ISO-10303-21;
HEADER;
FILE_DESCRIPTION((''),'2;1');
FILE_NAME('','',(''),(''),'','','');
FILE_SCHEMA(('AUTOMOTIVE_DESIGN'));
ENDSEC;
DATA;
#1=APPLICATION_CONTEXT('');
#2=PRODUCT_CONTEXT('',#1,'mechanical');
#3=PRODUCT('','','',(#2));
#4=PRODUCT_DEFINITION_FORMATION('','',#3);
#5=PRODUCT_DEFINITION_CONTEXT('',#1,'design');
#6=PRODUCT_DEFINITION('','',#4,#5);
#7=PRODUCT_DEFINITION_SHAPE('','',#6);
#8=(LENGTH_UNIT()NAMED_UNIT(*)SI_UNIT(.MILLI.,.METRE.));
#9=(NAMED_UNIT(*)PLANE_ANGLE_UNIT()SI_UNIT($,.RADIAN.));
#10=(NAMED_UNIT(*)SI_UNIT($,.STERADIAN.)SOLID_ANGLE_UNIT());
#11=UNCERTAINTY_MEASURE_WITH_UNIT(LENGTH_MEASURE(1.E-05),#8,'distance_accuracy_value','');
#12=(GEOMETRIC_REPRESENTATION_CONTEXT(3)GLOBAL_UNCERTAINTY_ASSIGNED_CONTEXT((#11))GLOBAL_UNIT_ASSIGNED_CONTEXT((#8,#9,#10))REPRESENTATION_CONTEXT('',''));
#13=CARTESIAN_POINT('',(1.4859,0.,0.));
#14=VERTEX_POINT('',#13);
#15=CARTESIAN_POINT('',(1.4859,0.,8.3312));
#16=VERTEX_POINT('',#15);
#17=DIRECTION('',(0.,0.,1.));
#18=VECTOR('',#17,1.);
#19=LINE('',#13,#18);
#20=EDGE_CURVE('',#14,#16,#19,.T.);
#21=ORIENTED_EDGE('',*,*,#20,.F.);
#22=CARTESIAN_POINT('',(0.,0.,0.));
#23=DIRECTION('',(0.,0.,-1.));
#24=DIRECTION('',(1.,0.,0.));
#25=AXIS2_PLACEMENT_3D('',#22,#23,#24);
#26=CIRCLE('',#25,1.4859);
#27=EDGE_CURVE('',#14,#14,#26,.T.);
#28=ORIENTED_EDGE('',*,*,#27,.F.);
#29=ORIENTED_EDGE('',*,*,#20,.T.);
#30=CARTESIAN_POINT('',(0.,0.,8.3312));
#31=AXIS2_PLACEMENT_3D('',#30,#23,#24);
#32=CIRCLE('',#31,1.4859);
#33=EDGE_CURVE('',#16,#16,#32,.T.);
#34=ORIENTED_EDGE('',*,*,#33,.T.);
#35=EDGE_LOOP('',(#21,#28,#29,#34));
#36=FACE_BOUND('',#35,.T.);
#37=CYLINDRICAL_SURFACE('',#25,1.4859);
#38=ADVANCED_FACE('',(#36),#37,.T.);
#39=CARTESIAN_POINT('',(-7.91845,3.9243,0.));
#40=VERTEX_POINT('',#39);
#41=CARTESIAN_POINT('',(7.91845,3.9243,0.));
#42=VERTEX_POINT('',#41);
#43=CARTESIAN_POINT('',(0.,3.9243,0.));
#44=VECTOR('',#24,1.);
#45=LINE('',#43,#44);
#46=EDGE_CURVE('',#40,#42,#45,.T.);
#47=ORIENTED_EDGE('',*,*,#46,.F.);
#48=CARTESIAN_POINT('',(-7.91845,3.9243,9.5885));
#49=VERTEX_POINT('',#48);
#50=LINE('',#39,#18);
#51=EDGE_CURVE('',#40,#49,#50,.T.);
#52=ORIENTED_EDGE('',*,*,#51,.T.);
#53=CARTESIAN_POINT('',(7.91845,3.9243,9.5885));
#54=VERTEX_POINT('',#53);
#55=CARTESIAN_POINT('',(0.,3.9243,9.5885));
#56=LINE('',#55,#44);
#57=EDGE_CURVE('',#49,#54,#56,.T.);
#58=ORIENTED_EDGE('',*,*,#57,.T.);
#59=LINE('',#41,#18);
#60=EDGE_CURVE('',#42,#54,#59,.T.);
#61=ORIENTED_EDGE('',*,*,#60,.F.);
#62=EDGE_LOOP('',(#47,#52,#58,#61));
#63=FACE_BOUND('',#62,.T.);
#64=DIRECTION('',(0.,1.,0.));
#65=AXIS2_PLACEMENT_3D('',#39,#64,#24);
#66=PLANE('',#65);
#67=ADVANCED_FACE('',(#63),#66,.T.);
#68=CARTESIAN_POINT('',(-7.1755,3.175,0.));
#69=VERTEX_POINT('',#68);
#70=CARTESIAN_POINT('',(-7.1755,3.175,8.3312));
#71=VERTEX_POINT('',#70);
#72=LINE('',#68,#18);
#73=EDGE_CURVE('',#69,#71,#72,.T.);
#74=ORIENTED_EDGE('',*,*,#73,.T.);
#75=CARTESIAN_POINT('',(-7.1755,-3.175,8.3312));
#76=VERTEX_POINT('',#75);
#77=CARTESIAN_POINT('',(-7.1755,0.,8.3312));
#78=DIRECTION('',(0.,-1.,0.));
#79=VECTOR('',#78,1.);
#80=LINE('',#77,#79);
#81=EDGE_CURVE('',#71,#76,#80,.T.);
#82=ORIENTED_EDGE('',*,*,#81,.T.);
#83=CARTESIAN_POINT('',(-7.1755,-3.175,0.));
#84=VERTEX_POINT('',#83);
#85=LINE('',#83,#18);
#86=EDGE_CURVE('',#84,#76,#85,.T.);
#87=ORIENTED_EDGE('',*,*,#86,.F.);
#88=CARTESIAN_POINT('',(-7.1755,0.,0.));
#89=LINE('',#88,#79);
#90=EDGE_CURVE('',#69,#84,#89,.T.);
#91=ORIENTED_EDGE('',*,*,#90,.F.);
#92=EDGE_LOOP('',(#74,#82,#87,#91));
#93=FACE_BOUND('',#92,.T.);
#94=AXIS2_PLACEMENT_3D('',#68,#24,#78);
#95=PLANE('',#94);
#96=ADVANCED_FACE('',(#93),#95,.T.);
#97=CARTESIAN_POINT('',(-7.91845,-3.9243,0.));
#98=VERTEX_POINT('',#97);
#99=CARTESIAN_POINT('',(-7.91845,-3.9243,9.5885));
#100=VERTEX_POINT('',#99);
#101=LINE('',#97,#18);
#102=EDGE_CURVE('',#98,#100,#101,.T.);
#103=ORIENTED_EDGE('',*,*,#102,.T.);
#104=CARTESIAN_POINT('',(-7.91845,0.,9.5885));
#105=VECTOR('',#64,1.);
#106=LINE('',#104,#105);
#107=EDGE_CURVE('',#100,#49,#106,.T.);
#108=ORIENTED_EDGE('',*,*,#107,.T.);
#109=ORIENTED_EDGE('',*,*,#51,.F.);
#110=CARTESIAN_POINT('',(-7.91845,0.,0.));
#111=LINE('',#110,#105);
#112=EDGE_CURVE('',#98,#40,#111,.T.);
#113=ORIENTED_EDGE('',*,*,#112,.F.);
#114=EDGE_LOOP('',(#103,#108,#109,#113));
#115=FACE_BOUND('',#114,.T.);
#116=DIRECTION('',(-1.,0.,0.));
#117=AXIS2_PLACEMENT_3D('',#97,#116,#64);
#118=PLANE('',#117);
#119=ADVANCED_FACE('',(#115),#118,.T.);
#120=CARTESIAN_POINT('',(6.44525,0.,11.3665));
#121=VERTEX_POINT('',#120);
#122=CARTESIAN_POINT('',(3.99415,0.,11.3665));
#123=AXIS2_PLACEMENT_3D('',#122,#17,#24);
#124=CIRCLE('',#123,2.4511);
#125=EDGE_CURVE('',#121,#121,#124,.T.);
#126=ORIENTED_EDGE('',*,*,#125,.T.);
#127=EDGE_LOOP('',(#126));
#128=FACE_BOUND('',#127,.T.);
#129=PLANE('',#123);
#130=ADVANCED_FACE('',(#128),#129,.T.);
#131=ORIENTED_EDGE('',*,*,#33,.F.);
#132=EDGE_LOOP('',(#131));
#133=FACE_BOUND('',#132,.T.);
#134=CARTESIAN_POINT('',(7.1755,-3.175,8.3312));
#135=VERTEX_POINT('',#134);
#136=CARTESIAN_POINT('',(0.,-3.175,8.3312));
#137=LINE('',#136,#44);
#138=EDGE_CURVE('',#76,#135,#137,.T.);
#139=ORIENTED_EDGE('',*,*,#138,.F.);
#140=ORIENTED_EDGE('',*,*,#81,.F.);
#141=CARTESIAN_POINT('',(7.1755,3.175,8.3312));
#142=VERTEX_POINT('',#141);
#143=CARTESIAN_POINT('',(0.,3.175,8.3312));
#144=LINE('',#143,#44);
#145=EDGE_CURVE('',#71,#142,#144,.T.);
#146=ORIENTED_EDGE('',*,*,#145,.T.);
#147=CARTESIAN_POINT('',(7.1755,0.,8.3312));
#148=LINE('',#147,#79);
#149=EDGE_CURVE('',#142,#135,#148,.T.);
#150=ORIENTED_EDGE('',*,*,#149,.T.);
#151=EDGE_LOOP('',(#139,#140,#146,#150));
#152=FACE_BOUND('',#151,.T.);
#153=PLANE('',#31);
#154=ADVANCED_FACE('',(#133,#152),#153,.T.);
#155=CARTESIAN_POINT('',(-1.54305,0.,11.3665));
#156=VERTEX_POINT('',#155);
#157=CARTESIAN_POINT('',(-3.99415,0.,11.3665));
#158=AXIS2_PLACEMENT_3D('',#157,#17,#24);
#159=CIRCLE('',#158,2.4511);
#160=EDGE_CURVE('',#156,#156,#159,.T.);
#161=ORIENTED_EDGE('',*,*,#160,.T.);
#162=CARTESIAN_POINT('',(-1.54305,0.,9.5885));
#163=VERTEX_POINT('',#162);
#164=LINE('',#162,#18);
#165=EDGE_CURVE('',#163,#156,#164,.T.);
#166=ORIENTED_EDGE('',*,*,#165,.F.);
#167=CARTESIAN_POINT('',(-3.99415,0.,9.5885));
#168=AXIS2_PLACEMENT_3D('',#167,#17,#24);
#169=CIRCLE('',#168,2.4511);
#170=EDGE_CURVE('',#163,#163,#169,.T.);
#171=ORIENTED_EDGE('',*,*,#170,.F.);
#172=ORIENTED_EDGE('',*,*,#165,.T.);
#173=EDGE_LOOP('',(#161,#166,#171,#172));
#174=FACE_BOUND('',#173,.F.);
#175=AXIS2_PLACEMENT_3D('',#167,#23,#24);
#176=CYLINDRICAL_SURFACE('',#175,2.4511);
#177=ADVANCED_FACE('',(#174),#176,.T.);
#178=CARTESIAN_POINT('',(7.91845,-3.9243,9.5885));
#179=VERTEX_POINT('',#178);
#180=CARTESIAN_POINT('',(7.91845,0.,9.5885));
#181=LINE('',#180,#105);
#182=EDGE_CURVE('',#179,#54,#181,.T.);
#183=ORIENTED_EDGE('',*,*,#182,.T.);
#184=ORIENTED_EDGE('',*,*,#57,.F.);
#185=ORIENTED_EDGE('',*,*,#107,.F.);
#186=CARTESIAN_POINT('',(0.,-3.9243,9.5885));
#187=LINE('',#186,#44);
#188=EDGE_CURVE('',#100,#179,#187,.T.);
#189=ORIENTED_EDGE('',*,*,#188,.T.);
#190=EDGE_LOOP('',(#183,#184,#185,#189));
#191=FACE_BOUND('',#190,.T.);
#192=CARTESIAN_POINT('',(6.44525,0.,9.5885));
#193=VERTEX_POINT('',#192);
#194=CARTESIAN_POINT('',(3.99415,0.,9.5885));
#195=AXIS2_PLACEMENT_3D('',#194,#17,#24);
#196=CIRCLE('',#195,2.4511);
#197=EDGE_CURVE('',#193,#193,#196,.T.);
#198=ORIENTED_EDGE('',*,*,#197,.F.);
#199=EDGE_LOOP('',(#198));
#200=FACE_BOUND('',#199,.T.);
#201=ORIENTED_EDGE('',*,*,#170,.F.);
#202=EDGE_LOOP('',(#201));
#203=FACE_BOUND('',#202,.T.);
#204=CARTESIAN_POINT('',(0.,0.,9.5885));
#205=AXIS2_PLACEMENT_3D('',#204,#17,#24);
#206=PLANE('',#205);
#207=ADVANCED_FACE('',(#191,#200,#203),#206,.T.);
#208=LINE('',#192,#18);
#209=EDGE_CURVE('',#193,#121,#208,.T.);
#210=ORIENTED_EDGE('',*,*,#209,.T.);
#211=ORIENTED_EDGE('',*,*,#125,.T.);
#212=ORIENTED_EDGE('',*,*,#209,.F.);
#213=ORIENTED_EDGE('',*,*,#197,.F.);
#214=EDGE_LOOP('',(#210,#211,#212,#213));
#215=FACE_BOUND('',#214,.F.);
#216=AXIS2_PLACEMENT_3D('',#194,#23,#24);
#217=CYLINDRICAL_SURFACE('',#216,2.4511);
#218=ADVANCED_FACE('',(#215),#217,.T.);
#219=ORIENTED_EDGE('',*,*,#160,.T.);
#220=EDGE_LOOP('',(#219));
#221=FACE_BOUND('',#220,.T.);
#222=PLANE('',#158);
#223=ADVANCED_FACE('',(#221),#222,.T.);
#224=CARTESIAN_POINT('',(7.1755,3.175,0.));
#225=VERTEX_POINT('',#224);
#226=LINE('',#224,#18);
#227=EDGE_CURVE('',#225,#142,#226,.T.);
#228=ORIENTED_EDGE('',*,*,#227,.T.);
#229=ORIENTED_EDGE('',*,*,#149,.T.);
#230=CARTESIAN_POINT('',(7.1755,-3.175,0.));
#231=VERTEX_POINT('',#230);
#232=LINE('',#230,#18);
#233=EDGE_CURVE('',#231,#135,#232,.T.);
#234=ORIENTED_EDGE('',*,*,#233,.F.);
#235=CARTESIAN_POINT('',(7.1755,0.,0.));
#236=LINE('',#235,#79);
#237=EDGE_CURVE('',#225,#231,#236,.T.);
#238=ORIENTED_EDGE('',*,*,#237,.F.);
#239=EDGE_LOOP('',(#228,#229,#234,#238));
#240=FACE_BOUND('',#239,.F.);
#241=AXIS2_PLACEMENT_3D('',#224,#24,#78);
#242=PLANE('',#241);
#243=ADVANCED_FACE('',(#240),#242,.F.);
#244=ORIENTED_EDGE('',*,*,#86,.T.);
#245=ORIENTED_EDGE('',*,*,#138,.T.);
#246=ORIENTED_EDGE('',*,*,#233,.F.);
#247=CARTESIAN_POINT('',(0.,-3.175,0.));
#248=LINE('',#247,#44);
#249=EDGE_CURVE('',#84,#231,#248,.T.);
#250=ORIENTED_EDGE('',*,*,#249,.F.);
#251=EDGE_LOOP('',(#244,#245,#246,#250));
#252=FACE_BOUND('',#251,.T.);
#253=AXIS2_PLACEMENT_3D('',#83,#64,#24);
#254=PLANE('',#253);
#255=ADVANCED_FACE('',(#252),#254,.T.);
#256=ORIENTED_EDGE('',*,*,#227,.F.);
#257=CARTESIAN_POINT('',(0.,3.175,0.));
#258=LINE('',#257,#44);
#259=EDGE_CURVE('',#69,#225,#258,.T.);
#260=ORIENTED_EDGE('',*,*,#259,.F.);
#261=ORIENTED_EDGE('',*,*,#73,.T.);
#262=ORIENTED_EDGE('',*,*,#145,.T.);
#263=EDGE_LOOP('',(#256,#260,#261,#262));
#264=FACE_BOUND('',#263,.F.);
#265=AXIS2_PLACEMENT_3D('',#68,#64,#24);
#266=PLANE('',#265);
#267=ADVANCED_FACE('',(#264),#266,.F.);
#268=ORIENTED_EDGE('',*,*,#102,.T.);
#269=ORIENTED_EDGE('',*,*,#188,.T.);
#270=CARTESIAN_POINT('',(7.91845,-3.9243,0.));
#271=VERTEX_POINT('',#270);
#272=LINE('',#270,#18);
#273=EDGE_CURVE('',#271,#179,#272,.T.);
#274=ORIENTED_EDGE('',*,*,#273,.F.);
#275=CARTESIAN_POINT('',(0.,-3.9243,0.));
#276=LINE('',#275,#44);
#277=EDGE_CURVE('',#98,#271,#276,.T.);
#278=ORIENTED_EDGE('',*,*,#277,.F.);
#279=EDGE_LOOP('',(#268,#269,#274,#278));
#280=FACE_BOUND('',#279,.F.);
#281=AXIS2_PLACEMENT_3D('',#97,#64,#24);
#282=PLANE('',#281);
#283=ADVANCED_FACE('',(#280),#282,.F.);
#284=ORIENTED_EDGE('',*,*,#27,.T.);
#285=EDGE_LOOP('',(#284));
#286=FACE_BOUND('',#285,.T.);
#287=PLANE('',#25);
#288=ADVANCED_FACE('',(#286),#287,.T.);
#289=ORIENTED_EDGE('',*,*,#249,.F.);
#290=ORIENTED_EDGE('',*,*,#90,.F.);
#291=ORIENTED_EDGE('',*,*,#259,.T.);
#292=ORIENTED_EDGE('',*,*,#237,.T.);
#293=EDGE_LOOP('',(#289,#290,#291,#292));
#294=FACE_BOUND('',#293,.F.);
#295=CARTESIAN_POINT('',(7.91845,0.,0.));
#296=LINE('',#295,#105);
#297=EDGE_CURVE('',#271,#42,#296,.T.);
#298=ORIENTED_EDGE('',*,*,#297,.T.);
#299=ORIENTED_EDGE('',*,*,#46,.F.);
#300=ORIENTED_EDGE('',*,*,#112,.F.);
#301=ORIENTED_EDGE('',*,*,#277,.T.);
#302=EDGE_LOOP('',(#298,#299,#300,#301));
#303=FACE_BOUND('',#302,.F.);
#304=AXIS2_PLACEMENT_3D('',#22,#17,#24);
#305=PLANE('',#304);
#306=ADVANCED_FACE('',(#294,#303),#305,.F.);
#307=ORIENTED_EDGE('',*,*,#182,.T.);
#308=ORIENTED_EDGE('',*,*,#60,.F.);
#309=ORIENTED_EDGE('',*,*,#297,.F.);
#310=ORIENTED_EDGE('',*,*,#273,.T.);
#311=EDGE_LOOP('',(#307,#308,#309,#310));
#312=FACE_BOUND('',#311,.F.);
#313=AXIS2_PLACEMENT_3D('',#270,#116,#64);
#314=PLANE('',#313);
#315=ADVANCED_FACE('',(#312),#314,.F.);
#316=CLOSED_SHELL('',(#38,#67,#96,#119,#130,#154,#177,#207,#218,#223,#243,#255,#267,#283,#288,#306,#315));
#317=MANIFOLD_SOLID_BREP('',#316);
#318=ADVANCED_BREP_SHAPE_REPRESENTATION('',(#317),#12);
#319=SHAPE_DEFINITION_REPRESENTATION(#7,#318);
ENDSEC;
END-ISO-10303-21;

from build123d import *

# Parameters (mm, degrees)
F0_W     = 15.8369
F0_H     = 7.8486
F1_DEPTH = 9.5885
F2_R     = 2.4511
F4_DEPTH = 1.778
F3_R     = 2.4511
F5_DEPTH = 1.778
F6_W     = 14.351
F6_H     = 6.35
F8_DEPTH = 8.3312
F7_R     = 1.4859
F9_DEPTH = 8.3312


with BuildPart() as f1:
    # F0 (on Top) → F1 (new body)
    with BuildSketch(Plane.XY):
        Rectangle(F0_W, F0_H)
    extrude(amount=F1_DEPTH)

    # F2 (on face) → F4 (join)
    with BuildSketch(Plane.XY.offset(9.5885)):
        with Locations((-3.99415, 0)):
            Circle(F2_R)
    extrude(amount=F4_DEPTH)

    # F3 (on face) → F5 (join)
    with BuildSketch(Plane.XY.offset(9.5885)):
        with Locations((3.99415, 0)):
            Circle(F3_R)
    extrude(amount=F5_DEPTH)

    # F6 (on face) → F8 (cut)
    with BuildSketch(Plane(origin=(0, 0, 0), x_dir=(1, 0, 0), z_dir=(0, 0, -1))):
        Rectangle(F6_W, F6_H)
    extrude(amount=-F8_DEPTH, mode=Mode.SUBTRACT)

    # F7 (on face) → F9 (join)
    with BuildSketch(Plane(origin=(0, 0, 0), x_dir=(1, 0, 0), z_dir=(0, 0, -1))):
        Circle(F7_R)
    extrude(amount=-F9_DEPTH)


solid = f1.part
